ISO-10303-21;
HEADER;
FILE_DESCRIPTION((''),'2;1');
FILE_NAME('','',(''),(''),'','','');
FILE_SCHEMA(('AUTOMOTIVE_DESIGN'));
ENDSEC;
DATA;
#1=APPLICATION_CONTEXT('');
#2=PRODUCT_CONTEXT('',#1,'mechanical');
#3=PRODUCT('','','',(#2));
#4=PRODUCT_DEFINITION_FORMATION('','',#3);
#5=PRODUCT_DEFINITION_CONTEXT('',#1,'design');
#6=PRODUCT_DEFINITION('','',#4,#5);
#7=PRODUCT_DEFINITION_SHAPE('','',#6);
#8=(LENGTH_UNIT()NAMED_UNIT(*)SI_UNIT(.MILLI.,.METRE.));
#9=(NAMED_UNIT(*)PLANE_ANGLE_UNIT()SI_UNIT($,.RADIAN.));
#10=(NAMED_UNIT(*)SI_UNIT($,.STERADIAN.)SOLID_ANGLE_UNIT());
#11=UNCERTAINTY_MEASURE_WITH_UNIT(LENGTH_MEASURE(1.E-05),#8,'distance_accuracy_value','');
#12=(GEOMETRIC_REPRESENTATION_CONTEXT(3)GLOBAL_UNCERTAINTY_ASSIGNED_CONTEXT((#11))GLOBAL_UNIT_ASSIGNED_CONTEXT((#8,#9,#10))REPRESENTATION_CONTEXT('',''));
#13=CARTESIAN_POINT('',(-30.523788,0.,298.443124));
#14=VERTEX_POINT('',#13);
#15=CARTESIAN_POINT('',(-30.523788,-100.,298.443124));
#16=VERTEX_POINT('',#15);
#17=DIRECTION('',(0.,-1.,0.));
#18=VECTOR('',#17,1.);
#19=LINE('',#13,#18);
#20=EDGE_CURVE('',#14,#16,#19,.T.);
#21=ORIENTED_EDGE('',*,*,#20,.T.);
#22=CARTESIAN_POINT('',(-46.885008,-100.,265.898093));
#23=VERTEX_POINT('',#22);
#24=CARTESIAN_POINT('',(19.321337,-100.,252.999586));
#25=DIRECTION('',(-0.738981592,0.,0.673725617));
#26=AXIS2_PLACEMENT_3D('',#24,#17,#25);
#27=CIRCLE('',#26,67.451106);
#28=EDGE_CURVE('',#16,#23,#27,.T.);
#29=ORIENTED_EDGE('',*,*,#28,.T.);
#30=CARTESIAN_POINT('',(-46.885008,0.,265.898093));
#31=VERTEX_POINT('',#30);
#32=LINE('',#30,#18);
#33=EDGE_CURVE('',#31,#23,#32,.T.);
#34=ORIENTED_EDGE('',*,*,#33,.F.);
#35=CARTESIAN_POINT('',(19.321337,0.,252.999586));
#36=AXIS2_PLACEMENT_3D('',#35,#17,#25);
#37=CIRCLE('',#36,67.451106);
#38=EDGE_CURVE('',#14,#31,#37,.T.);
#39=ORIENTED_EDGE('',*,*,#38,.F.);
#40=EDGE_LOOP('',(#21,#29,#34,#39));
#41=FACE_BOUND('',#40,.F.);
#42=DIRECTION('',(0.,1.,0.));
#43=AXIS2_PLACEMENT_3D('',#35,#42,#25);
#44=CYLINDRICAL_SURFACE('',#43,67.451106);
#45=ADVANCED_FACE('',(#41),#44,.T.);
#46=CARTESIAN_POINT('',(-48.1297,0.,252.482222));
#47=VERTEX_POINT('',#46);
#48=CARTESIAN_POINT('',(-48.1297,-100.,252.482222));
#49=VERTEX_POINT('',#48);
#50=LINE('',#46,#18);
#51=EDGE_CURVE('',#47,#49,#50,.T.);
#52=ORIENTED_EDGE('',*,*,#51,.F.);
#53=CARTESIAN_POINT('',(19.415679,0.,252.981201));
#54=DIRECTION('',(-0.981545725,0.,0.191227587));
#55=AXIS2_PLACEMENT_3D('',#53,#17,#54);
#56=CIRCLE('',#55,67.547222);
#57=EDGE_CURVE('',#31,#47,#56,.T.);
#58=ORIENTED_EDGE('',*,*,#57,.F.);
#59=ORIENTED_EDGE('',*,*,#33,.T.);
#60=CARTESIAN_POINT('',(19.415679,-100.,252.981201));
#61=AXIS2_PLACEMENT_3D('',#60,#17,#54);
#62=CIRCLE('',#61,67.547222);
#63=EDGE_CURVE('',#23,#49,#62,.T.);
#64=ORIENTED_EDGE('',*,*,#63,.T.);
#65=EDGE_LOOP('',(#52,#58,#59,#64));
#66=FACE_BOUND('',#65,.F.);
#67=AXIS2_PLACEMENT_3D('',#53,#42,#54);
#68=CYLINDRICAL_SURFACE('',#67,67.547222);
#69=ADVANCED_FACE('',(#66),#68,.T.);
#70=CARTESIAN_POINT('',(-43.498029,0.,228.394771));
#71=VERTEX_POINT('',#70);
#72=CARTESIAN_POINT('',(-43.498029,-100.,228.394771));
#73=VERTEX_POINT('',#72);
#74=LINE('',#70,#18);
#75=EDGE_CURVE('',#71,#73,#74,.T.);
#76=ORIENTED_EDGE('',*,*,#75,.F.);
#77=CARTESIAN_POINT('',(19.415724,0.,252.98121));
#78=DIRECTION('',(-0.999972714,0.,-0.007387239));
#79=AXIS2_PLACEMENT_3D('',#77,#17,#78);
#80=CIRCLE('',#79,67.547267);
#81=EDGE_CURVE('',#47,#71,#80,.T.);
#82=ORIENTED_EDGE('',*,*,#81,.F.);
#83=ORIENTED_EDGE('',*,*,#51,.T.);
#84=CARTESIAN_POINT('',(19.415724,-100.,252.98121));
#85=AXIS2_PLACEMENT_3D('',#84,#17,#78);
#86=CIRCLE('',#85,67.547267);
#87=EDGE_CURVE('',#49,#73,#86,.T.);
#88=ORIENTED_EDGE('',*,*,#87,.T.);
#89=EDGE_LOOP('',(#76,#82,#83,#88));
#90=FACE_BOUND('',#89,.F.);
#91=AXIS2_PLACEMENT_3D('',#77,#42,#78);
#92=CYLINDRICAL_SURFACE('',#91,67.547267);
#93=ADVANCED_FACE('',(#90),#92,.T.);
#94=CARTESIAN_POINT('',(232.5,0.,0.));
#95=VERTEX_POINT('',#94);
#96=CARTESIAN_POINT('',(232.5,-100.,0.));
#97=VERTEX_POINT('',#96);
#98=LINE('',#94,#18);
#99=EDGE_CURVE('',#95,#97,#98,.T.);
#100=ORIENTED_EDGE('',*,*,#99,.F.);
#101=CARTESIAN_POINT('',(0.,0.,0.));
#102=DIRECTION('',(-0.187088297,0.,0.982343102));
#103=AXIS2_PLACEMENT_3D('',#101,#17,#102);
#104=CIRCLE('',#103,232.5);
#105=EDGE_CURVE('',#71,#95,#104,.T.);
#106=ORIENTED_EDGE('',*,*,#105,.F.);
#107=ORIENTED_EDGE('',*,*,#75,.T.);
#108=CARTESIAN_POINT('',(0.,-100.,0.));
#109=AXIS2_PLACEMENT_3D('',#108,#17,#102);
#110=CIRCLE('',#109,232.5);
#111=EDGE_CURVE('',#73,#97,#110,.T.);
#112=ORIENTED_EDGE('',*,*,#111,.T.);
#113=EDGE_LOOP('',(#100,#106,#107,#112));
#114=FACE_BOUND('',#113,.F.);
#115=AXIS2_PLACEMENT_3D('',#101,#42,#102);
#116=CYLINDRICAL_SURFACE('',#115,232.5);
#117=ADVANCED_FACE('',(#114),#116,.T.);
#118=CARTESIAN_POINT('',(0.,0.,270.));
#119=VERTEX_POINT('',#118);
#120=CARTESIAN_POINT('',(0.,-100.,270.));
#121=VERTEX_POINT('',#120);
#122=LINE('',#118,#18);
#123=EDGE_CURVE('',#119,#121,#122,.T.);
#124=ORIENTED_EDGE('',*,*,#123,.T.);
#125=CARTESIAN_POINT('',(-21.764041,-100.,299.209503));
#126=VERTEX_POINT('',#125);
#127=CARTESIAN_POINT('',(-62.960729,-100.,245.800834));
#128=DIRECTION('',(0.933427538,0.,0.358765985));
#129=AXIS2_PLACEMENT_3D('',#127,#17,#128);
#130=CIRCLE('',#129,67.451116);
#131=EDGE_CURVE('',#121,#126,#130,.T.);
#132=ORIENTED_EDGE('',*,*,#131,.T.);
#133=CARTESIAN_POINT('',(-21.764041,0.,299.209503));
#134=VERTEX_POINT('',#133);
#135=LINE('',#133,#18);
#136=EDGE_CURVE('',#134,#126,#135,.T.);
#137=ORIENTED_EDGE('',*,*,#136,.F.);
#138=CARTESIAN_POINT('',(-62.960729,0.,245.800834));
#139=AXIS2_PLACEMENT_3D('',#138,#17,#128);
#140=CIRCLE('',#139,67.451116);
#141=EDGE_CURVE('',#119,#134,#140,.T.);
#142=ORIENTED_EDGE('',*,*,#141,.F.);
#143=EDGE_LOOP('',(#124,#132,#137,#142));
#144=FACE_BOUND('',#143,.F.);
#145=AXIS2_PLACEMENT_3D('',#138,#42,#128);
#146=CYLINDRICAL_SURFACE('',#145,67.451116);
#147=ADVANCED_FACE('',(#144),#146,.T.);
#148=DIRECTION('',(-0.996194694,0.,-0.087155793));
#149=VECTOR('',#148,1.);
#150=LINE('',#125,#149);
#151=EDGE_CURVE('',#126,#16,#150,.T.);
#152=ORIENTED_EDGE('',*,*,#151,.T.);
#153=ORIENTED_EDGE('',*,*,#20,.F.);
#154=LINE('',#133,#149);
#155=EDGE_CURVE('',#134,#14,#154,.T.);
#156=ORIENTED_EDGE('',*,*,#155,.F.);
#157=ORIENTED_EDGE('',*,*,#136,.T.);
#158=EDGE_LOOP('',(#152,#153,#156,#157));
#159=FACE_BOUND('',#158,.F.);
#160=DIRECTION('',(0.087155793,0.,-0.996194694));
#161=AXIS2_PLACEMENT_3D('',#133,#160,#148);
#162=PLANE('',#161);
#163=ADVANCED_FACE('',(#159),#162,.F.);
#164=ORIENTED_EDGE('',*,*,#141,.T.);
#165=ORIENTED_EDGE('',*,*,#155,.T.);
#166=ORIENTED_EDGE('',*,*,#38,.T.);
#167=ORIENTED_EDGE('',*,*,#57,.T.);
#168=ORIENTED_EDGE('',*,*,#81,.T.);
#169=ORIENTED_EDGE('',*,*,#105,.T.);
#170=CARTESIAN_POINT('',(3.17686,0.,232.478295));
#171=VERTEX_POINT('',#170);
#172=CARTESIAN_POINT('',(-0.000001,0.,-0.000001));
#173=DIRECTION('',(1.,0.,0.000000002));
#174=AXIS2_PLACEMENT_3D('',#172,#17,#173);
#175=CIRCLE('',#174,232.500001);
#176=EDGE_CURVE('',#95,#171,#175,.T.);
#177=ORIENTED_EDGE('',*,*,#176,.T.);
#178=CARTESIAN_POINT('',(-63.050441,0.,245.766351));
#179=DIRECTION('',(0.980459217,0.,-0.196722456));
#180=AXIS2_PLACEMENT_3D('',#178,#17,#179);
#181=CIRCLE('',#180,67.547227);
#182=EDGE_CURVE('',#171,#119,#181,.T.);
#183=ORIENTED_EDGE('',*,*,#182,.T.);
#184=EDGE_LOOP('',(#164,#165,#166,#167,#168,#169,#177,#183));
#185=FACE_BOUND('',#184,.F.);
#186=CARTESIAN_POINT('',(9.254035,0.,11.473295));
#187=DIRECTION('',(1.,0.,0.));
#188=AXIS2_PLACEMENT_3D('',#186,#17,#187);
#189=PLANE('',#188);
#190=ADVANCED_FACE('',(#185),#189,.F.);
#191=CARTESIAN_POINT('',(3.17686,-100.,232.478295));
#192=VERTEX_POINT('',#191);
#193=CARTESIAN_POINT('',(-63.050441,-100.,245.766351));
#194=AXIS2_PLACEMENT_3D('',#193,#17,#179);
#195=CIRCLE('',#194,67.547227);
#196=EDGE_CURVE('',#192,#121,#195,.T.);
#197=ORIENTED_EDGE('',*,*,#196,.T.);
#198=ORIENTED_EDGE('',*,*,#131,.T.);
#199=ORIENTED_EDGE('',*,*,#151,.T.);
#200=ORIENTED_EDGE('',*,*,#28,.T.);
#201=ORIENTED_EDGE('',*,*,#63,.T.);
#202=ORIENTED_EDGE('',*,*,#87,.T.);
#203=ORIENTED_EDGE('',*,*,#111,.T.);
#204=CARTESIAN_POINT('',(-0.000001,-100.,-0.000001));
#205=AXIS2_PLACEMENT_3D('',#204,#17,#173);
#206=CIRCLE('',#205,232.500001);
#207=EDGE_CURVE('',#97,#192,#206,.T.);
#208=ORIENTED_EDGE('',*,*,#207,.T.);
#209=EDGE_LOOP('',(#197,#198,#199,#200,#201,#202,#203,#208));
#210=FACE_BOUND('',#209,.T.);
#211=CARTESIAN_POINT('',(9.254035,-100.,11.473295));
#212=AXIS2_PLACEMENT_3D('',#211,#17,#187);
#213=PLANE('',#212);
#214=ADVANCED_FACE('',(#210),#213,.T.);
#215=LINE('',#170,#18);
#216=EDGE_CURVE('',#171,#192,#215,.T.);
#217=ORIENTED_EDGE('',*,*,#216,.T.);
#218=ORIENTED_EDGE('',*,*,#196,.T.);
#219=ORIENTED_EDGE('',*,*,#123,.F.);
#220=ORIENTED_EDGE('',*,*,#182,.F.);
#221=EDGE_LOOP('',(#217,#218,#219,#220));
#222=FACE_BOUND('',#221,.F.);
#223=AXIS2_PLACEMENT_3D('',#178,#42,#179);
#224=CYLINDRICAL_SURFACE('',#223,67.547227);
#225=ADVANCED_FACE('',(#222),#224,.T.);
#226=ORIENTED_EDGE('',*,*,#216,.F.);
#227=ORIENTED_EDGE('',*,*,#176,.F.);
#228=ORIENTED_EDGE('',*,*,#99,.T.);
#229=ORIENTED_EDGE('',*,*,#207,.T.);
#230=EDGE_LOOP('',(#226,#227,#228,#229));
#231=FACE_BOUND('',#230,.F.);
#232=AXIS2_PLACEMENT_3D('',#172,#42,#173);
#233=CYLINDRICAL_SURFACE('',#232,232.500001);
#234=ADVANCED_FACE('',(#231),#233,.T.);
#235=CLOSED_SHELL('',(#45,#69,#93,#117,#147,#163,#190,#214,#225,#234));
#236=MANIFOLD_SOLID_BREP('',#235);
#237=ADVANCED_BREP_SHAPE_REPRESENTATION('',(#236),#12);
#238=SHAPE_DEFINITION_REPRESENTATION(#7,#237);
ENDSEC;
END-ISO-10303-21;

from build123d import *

# Parameters (mm, degrees)
F1_DEPTH = 100


with BuildPart() as f1:
    # F0 (on Front) → F1 (new body)
    with BuildSketch(Plane.XZ):
        with BuildLine():
            ThreePointArc((-43.498029, 228.394771), (-148.227795, -179.122223), (232.5, 0))
            ThreePointArc((232.5, 0), (165.521705, 163.275274), (3.17686, 232.478295))
            ThreePointArc((3.17686, 232.478295), (-20.26371, 231.615267), (-43.498029, 228.394771))
        make_face()
        with BuildLine():
            ThreePointArc((-43.498029, 228.394771), (-20.26371, 231.615267), (3.17686, 232.478295))
            ThreePointArc((3.17686, 232.478295), (4.255972, 251.465001), (0, 270))
            Line((0, 270), (-48.1297, 252.482222))
            ThreePointArc((-48.1297, 252.482222), (-46.916399, 240.226495), (-43.498029, 228.394771))
        make_face()
        with BuildLine():
            Line((-48.1297, 252.482222), (0, 270))
            ThreePointArc((0, 270), (-8.872924, 286.101732), (-21.764041, 299.209503))
            Line((-21.764041, 299.209503), (-30.523788, 298.443124))
            ThreePointArc((-30.523788, 298.443124), (-40.94292, 283.295971), (-46.885008, 265.898093))
            ThreePointArc((-46.885008, 265.898093), (-47.842694, 259.22127), (-48.1297, 252.482222))
        make_face()
    extrude(amount=F1_DEPTH)


solid = f1.part
